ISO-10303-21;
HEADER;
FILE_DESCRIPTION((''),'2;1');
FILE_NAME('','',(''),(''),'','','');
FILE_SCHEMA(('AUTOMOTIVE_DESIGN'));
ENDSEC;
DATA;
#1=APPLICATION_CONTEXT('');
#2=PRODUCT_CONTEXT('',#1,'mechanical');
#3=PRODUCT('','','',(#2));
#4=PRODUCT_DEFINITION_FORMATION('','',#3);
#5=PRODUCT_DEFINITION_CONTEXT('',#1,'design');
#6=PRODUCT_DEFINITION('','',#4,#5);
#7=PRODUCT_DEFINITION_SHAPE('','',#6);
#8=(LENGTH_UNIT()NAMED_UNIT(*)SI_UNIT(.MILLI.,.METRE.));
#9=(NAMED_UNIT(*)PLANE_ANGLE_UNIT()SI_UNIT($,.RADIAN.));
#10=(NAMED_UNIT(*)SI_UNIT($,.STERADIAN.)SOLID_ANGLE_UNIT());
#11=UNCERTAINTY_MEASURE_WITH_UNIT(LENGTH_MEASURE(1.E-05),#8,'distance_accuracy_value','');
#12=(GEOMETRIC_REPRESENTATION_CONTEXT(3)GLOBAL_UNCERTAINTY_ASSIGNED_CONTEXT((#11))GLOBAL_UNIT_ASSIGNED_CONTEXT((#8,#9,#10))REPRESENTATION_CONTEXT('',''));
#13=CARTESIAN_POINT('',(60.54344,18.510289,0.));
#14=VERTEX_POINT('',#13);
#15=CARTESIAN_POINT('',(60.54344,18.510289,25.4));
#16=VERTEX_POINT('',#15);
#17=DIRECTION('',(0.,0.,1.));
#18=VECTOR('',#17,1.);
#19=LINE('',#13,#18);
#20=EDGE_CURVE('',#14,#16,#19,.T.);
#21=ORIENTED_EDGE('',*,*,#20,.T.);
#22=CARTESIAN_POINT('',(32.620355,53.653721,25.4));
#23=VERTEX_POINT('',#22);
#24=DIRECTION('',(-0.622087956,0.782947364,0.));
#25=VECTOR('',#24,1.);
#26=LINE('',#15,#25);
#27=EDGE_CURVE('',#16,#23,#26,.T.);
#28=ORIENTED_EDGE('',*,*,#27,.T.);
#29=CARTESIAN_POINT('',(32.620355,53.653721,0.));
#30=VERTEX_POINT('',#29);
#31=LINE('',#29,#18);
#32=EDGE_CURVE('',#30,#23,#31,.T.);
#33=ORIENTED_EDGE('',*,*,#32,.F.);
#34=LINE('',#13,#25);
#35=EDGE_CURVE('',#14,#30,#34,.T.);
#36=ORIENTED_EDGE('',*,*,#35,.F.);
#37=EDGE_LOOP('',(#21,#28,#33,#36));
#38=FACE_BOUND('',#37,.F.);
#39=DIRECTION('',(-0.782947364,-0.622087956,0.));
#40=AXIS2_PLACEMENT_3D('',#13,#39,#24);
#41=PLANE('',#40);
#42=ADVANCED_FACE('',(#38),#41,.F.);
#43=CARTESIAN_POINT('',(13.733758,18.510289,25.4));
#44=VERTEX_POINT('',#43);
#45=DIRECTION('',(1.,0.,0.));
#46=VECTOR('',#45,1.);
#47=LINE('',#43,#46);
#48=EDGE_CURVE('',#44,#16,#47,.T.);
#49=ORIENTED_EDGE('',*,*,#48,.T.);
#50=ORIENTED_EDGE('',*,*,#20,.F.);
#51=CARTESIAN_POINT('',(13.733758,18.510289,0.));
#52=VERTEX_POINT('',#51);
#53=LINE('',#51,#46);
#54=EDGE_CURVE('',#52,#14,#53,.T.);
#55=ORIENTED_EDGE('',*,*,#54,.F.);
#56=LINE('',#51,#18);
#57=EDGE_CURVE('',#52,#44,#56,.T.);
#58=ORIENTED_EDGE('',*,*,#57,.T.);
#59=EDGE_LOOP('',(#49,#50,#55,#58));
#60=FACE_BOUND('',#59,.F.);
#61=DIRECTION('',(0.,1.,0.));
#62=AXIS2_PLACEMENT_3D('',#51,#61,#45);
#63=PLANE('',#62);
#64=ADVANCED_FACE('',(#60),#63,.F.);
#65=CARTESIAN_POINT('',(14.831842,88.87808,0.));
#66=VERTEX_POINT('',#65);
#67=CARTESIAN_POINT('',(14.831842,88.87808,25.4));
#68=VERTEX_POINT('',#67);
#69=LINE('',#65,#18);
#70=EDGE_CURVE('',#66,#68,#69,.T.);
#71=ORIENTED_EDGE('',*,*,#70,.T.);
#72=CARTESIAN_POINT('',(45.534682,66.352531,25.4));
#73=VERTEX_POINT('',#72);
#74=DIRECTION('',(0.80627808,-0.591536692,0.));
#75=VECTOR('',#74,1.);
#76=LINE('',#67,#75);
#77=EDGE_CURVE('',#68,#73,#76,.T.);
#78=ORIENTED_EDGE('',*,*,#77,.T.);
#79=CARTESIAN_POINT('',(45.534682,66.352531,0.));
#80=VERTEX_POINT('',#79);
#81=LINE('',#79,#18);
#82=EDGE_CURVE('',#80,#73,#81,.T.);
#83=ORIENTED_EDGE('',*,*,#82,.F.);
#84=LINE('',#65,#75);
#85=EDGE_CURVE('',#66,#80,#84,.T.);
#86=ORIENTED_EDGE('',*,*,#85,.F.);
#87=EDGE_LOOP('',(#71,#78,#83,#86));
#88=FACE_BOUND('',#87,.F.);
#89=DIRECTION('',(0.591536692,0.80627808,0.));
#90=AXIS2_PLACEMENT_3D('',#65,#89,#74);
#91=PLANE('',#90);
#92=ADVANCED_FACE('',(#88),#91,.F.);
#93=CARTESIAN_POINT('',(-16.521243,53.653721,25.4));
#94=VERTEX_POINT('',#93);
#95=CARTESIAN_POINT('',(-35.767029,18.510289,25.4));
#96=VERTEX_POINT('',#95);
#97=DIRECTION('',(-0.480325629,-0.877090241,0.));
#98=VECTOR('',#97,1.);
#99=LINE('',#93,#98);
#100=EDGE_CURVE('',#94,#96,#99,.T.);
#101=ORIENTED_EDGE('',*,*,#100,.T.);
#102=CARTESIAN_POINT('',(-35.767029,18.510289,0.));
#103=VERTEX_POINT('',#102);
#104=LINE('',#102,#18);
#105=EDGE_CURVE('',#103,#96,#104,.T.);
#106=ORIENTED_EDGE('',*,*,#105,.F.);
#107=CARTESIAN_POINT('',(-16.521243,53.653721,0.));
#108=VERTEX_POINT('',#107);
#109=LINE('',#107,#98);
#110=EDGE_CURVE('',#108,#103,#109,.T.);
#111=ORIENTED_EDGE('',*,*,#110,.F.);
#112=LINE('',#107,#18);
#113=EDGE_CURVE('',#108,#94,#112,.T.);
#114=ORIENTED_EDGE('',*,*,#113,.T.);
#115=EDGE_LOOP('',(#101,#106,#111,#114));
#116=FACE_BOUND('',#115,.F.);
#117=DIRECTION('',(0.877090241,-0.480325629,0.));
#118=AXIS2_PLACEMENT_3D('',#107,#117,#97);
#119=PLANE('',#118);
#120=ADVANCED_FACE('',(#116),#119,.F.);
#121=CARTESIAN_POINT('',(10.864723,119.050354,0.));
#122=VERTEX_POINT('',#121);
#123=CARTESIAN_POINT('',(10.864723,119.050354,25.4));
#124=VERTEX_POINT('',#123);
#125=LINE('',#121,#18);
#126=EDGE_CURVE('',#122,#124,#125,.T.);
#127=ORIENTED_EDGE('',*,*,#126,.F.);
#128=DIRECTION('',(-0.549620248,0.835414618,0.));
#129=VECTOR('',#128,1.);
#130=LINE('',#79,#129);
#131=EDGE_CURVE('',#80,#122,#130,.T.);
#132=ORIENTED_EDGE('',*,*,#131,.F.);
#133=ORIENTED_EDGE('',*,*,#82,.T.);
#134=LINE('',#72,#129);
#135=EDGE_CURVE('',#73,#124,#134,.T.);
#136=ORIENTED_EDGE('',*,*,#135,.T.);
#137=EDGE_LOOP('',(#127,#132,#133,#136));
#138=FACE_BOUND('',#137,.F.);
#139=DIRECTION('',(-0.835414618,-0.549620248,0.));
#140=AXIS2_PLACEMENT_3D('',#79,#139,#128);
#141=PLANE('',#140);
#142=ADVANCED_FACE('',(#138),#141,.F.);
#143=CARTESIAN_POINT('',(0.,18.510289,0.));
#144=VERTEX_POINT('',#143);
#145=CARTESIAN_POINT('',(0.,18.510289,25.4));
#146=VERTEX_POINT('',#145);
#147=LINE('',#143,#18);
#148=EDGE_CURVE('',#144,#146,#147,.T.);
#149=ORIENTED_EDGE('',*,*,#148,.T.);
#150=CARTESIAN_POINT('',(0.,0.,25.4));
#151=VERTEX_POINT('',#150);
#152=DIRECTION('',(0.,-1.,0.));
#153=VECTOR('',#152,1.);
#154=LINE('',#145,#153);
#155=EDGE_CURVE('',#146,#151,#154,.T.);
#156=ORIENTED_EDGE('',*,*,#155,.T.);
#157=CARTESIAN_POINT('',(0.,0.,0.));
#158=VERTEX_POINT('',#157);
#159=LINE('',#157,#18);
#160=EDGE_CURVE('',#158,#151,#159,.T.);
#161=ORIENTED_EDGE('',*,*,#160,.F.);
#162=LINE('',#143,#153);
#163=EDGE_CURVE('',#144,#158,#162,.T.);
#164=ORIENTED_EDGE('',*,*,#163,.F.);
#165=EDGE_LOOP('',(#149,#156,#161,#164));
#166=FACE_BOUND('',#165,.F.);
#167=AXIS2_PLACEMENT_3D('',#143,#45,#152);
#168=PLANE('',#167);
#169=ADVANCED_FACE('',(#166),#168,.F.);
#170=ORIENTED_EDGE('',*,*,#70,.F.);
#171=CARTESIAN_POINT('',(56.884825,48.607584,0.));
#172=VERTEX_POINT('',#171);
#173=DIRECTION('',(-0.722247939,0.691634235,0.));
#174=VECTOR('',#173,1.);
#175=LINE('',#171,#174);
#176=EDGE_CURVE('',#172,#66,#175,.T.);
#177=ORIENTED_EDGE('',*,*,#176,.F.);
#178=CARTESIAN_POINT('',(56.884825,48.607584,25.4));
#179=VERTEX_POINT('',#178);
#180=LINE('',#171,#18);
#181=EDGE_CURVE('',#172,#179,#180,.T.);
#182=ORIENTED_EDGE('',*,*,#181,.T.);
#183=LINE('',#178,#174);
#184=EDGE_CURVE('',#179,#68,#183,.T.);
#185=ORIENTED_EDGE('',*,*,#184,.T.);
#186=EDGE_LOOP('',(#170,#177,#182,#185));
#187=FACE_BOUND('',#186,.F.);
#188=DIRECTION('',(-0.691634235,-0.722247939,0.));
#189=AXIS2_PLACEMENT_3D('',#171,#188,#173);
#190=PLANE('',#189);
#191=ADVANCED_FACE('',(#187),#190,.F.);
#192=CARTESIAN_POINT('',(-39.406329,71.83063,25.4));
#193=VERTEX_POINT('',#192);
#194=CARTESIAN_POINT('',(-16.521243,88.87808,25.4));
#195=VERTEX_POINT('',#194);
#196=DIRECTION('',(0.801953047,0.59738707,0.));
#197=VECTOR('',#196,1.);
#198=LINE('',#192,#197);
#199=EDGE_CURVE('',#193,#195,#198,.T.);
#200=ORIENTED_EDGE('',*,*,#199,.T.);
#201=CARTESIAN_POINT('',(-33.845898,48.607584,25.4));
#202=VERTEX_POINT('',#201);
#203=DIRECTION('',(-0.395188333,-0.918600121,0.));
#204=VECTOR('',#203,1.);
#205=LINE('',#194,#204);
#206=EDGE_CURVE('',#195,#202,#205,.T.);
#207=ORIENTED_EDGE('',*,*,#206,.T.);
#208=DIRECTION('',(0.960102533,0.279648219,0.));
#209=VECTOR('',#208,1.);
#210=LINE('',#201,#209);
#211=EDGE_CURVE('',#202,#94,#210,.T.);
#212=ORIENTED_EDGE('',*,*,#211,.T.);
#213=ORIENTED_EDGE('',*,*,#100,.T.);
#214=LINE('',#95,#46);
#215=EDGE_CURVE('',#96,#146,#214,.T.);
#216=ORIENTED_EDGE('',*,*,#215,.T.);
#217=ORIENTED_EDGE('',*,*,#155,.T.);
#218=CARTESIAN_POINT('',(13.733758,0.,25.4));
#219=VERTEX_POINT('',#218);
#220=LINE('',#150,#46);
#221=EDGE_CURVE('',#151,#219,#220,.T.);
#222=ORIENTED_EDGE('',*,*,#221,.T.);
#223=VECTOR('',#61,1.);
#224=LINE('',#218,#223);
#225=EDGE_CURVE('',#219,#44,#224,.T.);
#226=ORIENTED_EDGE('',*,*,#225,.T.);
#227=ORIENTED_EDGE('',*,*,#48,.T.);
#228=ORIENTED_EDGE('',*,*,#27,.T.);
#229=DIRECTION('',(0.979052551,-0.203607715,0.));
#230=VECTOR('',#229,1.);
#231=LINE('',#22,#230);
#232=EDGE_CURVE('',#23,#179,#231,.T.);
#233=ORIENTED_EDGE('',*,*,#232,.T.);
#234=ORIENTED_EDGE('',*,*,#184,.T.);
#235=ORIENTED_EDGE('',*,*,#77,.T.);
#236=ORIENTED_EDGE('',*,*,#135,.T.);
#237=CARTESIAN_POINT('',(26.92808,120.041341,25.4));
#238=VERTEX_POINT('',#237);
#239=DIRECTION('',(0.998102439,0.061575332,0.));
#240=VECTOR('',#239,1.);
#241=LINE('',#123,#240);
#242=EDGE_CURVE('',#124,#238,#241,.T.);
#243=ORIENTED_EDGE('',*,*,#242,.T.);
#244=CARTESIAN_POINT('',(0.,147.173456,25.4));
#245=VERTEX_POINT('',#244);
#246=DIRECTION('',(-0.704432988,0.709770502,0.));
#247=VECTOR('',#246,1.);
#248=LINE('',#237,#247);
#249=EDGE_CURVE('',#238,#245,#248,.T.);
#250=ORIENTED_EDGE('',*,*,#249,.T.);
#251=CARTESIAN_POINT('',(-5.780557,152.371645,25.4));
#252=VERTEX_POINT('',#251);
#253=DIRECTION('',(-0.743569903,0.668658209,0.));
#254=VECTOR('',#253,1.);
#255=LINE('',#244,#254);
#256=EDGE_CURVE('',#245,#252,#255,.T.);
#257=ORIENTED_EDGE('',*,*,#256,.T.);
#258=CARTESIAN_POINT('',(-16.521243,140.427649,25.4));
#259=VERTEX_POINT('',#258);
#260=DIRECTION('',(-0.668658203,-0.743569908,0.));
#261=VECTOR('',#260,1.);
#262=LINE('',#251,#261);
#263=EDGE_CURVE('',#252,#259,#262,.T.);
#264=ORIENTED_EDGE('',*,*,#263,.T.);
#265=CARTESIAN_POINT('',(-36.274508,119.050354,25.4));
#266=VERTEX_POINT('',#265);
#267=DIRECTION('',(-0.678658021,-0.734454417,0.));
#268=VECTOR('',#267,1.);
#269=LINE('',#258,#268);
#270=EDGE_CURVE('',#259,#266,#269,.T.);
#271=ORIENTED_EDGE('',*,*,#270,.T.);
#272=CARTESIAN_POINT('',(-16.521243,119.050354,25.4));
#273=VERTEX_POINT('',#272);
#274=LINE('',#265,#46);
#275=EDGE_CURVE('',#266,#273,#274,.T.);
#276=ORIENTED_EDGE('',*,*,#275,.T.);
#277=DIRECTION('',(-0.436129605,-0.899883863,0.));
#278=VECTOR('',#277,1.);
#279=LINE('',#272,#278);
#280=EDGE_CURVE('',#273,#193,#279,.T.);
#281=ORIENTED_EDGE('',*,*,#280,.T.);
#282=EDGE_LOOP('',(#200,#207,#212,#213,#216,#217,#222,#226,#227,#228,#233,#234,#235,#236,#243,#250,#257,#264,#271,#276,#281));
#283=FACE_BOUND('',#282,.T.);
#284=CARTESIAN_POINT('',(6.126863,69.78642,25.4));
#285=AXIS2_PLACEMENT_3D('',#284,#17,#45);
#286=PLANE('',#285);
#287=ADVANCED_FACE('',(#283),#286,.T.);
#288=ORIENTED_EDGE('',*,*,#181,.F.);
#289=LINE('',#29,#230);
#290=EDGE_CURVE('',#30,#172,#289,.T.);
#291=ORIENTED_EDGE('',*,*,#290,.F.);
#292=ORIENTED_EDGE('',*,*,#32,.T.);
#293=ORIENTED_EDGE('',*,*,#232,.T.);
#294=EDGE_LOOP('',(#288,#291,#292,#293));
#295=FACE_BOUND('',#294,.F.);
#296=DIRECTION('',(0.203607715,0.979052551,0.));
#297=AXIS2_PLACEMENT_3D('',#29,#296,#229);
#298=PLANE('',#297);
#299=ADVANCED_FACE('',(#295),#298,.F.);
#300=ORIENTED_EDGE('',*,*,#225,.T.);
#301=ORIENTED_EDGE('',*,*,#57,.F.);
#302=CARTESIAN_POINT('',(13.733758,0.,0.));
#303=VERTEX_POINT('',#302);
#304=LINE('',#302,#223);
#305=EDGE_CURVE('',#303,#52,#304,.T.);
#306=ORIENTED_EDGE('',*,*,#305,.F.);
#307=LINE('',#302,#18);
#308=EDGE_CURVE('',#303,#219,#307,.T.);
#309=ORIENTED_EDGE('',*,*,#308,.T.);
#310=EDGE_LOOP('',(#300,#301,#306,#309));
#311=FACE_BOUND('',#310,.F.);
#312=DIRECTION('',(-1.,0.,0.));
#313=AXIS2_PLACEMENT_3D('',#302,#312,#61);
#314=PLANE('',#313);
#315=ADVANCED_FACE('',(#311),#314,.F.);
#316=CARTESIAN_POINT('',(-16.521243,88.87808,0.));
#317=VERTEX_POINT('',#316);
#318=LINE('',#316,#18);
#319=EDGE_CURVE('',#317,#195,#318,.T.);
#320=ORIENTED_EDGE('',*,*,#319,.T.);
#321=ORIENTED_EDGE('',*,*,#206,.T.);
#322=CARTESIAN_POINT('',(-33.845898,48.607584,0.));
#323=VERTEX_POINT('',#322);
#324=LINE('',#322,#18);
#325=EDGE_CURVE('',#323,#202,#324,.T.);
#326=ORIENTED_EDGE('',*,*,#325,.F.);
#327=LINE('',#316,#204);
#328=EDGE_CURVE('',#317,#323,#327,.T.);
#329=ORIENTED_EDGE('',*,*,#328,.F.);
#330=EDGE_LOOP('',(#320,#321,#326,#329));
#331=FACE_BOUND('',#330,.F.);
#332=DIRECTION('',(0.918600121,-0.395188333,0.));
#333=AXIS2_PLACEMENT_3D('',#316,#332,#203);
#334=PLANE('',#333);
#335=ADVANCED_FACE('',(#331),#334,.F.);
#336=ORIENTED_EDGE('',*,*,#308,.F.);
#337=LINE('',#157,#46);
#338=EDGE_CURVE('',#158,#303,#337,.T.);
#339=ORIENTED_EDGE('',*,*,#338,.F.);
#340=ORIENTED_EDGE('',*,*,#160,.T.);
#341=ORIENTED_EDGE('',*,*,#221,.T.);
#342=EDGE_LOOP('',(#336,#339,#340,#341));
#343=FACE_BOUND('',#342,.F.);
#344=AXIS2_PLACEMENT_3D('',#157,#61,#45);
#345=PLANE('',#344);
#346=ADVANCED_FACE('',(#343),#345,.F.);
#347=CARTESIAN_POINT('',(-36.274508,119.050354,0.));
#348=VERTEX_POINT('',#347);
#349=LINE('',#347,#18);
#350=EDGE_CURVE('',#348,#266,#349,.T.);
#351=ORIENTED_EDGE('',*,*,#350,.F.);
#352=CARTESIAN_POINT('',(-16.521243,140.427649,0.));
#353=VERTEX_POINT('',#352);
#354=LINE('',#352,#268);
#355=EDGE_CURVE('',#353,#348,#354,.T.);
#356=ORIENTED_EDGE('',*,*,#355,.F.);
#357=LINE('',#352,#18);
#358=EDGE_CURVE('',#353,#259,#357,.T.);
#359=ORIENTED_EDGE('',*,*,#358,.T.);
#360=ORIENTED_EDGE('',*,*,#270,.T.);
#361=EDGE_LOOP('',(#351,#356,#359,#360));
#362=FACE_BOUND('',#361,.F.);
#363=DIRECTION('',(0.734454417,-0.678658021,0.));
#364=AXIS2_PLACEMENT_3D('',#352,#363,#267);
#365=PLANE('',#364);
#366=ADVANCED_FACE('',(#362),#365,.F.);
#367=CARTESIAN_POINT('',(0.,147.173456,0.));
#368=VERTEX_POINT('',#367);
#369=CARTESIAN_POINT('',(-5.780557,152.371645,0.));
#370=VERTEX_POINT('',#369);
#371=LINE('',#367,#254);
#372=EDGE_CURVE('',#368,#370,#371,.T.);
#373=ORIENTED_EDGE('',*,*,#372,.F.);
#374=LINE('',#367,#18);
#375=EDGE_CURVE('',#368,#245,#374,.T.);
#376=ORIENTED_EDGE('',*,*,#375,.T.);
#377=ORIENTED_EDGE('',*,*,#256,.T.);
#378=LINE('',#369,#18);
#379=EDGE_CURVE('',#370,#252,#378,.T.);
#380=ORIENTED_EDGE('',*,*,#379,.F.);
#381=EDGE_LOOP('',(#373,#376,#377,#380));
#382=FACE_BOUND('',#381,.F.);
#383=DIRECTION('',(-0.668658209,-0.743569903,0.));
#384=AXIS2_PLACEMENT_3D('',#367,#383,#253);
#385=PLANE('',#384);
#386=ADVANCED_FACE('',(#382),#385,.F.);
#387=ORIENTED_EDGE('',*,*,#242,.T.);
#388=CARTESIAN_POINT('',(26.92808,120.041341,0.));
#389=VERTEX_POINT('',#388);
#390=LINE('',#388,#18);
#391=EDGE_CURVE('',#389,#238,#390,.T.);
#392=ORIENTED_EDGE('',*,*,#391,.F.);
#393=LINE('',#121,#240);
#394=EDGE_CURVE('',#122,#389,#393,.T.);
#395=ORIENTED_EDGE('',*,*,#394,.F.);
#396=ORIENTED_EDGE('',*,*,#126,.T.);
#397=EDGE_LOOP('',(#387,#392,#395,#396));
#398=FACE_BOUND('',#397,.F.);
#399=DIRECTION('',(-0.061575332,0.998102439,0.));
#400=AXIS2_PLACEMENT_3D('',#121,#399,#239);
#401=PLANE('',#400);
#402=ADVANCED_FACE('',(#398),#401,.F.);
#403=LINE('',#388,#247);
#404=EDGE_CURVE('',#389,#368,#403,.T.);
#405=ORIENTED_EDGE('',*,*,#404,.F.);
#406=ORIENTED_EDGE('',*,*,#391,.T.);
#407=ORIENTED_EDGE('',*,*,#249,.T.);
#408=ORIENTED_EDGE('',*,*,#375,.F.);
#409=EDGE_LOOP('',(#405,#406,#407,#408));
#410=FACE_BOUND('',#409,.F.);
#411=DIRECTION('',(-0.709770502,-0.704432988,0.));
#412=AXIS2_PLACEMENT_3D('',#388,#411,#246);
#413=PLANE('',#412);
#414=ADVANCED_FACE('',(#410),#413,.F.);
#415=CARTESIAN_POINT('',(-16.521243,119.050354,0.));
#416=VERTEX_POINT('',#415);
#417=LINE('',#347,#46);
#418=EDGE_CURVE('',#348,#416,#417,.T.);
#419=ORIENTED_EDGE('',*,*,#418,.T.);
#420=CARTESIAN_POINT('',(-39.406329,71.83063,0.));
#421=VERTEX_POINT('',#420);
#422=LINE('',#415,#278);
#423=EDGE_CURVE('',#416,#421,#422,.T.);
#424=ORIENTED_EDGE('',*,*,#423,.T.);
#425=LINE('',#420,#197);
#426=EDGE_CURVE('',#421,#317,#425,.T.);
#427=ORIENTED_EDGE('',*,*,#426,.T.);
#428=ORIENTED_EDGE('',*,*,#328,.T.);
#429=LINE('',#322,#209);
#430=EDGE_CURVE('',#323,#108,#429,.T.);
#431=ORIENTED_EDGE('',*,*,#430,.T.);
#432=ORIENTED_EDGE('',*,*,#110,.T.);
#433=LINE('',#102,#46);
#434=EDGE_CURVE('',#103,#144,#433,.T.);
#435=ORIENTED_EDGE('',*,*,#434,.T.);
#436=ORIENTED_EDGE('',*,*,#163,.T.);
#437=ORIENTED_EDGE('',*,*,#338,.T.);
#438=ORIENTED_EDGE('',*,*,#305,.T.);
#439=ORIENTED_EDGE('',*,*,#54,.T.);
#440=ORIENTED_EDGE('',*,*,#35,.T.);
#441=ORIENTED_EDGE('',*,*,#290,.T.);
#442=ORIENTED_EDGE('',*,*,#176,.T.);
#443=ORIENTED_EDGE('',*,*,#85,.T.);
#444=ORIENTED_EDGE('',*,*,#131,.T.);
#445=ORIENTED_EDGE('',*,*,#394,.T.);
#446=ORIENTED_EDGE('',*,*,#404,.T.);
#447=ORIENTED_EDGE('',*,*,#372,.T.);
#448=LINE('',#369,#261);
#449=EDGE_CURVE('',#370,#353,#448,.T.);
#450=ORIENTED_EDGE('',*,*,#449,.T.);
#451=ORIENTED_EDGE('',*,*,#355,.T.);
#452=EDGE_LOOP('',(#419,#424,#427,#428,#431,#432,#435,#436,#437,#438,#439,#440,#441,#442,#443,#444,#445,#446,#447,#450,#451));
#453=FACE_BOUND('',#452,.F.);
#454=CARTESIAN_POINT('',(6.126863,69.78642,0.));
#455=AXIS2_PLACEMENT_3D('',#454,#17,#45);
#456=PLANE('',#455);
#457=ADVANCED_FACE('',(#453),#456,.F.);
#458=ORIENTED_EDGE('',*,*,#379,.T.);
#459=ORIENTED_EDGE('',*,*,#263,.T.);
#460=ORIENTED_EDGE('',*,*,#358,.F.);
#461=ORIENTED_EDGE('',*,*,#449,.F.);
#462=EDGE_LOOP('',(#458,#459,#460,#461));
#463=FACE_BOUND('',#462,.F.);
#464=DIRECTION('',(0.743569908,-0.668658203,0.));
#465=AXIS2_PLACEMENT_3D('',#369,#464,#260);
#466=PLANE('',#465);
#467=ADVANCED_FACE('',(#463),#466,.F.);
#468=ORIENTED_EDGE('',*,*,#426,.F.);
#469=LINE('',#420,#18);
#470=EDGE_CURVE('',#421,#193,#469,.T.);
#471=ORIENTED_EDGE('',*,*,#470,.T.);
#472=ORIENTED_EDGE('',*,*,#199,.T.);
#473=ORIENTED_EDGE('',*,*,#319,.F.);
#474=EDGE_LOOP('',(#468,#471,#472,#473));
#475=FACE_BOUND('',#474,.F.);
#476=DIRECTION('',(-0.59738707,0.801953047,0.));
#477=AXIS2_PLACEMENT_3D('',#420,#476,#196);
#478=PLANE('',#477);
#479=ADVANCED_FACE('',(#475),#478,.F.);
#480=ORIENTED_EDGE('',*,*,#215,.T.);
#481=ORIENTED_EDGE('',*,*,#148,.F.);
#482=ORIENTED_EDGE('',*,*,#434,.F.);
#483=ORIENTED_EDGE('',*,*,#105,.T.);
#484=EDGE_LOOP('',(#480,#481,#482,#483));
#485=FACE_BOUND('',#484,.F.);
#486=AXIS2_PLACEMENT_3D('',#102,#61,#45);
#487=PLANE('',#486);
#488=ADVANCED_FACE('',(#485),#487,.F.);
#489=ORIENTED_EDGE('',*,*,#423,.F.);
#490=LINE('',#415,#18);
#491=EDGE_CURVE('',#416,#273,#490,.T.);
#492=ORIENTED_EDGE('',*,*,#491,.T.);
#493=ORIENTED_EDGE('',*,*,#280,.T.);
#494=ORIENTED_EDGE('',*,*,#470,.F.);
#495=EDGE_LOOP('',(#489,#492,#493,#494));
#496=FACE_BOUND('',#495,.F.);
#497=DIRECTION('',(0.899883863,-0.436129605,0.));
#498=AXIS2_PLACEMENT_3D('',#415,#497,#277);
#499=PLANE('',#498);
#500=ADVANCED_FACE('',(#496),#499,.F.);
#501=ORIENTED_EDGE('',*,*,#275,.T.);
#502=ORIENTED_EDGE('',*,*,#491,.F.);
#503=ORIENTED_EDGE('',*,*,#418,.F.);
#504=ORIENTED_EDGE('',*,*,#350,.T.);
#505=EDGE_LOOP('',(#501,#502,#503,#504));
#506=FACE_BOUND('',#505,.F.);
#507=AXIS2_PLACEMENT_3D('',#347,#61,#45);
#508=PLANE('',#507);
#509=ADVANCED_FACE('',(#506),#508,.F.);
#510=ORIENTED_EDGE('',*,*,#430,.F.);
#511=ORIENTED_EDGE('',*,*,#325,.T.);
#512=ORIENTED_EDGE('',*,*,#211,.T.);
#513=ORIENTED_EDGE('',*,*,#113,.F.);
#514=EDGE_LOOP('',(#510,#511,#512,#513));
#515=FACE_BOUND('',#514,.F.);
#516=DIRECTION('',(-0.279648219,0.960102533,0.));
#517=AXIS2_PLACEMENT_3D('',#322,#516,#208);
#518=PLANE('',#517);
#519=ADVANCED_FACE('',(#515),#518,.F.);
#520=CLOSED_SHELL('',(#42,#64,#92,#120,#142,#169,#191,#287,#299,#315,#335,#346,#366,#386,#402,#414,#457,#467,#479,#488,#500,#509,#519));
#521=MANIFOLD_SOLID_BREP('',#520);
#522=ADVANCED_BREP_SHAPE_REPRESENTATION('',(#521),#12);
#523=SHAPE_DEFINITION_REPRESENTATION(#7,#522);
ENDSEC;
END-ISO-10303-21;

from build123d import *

# Parameters (mm, degrees)
F1_DEPTH = 25.4


with BuildPart() as f1:
    # F0 (on Top) → F1 (new body)
    with BuildSketch(Plane.XY):
        Polygon((0, 18.510289), (0, 0), (13.733758, 0), (13.733758, 18.510289), (60.54344, 18.510289), (32.620355, 53.653721), (56.884825, 48.607584), (14.831842, 88.87808), (45.534682, 66.352531), (10.864723, 119.050354), (26.92808, 120.041341), (0, 147.173456), (-5.780557, 152.371645), (-16.521243, 140.427649), (-36.274508, 119.050354), (-16.521243, 119.050354), (-39.406329, 71.83063), (-16.521243, 88.87808), (-33.845898, 48.607584), (-16.521243, 53.653721), (-35.767029, 18.510289), align=None)
    extrude(amount=F1_DEPTH)


solid = f1.part
